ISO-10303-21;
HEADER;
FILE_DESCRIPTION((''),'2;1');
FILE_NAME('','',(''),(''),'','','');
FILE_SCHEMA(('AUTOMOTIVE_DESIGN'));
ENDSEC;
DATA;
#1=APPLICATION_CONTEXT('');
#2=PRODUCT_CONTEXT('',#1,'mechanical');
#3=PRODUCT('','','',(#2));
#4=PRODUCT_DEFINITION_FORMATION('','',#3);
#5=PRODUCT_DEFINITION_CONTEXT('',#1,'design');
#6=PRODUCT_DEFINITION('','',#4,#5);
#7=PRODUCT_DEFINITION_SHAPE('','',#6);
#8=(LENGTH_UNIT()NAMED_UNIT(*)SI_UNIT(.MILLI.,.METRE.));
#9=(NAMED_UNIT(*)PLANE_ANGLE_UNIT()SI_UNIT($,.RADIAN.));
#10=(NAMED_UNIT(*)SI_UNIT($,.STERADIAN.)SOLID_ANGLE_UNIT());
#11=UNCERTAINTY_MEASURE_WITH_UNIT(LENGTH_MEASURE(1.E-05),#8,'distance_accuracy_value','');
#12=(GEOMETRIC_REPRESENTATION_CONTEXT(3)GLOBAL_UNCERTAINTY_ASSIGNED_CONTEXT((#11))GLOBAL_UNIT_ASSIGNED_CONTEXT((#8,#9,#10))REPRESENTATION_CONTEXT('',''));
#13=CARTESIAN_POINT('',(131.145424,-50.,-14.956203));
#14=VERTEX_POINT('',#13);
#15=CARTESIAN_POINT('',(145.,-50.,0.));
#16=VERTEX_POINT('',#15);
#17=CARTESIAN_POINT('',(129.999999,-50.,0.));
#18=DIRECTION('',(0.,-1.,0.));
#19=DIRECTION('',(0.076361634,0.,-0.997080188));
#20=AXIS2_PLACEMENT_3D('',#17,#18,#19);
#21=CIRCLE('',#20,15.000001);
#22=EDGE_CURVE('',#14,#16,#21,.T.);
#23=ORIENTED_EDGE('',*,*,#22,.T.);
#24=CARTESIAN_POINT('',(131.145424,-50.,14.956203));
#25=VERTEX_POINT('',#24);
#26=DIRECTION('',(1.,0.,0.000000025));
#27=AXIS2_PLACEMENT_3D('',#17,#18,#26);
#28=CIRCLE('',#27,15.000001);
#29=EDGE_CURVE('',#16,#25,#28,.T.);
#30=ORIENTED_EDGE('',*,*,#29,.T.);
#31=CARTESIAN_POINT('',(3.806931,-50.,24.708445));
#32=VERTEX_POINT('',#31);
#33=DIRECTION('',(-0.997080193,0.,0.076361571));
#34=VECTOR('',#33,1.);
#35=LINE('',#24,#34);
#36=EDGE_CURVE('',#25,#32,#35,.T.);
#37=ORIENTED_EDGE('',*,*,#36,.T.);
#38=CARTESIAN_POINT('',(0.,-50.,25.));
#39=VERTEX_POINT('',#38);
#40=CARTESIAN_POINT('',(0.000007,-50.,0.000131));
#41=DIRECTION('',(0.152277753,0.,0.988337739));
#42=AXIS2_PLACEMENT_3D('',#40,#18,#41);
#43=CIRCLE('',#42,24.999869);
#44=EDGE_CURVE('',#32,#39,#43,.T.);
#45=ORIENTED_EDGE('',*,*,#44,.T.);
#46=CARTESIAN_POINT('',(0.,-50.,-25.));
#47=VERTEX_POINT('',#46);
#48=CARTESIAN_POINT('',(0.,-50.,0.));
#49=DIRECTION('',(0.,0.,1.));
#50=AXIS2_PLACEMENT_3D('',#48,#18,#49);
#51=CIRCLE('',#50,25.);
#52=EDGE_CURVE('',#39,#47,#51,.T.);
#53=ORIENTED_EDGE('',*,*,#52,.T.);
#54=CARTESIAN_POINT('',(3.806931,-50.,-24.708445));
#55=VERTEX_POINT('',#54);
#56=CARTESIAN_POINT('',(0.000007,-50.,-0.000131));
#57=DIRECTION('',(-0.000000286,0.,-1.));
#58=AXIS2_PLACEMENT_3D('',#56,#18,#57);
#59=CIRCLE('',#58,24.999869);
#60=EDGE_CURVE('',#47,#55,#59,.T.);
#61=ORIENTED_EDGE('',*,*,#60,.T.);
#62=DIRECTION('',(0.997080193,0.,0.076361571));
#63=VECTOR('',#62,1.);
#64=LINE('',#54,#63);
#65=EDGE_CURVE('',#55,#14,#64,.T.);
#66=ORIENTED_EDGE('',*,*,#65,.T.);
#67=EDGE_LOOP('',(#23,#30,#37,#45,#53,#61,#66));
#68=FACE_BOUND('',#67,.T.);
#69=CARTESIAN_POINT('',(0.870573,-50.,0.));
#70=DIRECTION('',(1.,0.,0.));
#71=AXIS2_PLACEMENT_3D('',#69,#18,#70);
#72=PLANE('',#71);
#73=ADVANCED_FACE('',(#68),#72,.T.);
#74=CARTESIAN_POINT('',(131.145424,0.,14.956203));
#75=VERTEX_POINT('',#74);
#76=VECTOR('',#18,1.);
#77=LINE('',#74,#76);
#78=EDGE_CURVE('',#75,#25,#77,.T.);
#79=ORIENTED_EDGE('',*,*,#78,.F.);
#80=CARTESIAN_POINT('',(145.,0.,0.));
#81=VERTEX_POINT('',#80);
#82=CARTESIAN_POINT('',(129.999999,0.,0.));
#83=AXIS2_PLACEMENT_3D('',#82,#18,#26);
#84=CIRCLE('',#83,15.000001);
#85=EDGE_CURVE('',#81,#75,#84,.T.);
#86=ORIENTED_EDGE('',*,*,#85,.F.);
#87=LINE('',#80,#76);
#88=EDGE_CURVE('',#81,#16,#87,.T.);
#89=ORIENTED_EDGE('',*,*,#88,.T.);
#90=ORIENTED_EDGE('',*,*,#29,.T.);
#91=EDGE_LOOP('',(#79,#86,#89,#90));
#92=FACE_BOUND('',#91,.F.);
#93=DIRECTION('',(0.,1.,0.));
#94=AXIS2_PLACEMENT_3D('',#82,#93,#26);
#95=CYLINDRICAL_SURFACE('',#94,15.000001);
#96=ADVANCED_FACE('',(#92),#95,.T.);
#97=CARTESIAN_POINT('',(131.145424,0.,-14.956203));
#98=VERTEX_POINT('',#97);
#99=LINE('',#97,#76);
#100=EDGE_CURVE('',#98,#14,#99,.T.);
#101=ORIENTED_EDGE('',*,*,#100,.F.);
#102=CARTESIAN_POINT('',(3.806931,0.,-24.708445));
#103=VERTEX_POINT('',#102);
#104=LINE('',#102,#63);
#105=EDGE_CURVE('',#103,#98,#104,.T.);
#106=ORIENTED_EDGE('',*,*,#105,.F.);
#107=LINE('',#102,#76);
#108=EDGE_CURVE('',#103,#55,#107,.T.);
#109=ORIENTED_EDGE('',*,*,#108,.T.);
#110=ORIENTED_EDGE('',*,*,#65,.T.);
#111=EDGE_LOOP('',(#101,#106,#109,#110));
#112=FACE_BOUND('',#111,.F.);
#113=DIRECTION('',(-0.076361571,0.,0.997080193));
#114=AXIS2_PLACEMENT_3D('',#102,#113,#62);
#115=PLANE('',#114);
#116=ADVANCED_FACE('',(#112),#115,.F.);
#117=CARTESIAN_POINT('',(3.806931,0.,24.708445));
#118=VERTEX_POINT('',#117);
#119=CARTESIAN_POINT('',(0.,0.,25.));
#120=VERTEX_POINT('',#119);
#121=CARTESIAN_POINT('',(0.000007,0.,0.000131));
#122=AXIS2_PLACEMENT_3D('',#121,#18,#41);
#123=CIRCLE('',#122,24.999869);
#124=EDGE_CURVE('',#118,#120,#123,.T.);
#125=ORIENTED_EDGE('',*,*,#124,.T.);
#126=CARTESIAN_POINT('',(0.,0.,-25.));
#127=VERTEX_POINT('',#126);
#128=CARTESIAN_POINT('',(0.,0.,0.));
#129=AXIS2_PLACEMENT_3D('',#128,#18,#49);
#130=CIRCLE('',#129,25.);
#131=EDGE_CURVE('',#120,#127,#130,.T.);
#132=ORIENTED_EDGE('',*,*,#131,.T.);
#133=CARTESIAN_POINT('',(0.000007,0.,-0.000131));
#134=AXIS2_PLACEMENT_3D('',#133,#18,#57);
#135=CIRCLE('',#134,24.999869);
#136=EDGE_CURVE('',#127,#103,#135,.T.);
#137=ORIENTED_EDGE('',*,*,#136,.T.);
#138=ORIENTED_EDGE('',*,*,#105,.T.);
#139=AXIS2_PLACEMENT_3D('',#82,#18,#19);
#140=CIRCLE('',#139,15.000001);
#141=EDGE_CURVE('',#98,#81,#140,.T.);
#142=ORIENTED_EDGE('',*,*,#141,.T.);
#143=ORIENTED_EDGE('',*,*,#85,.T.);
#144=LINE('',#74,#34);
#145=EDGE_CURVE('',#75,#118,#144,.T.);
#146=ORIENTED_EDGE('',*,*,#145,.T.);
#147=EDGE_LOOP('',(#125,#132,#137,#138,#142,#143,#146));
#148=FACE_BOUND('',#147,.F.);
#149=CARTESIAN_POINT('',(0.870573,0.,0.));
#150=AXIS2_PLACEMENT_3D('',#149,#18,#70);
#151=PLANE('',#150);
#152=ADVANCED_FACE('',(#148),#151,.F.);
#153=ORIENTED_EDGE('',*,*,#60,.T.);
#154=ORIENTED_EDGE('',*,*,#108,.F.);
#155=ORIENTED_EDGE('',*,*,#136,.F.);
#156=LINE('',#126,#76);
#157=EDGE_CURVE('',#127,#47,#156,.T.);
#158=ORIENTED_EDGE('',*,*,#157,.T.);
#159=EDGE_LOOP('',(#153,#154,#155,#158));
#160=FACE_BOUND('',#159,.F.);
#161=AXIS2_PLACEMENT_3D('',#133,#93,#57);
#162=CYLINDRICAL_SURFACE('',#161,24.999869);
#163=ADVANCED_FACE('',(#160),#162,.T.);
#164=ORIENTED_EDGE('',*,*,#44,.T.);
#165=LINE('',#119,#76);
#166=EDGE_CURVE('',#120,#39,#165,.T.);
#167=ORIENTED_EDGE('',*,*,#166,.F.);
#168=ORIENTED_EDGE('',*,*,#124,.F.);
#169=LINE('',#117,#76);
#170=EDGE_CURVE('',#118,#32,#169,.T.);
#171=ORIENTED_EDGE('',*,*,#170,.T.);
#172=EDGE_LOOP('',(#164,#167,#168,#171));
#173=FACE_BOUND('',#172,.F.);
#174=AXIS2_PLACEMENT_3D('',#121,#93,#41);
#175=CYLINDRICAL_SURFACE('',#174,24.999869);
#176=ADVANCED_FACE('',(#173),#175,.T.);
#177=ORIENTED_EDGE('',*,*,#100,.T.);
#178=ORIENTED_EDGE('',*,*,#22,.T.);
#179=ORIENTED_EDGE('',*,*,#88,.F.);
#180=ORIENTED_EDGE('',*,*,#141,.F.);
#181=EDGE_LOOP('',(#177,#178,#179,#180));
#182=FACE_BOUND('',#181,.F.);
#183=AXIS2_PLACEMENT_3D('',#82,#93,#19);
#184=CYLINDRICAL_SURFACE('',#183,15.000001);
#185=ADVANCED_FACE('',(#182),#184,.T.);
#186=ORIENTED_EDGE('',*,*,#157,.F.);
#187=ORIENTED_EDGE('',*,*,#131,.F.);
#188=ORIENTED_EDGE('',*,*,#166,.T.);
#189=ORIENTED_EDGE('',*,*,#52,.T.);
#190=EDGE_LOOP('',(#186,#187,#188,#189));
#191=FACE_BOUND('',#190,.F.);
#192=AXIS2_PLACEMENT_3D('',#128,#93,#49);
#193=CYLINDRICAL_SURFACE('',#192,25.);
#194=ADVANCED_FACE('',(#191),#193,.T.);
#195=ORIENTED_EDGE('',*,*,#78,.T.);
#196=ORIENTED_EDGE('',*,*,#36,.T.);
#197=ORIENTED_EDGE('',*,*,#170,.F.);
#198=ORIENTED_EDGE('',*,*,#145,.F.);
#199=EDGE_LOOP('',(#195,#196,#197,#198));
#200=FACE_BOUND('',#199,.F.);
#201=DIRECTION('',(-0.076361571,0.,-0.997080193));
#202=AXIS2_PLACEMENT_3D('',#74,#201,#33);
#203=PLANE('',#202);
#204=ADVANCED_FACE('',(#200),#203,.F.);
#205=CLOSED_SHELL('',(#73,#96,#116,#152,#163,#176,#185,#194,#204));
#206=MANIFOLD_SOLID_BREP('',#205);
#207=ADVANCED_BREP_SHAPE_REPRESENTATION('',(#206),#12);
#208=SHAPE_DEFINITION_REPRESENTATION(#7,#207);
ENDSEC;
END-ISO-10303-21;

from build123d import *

# Parameters (mm, degrees)
F1_DEPTH = 50


with BuildPart() as f1:
    # F0 (on Front) → F1 (new body)
    with BuildSketch(Plane.XZ):
        with BuildLine():
            Line((3.806931, 24.708445), (0, 25))
            ThreePointArc((0, 25), (-25, 0), (0, -25))
            Line((0, -25), (3.806931, -24.708445))
            ThreePointArc((3.806931, -24.708445), (18.975949, -16.276159), (25, 0))
            ThreePointArc((25, 0), (18.975949, 16.276159), (3.806931, 24.708445))
        make_face()
        with BuildLine():
            ThreePointArc((3.806931, 24.708445), (1.909039, 24.927005), (0, 25))
            Line((0, 25), (3.806931, 24.708445))
        make_face()
        with BuildLine():
            Line((3.806931, -24.708445), (0, -25))
            ThreePointArc((0, -25), (1.909039, -24.927005), (3.806931, -24.708445))
        make_face()
        with BuildLine():
            Line((131.145424, 14.956203), (3.806931, 24.708445))
            ThreePointArc((3.806931, 24.708445), (18.975949, 16.276159), (25, 0))
            ThreePointArc((25, 0), (18.975949, -16.276159), (3.806931, -24.708445))
            Line((3.806931, -24.708445), (131.145424, -14.956203))
            ThreePointArc((131.145424, -14.956203), (115, 0), (131.145424, 14.956203))
        make_face()
        with BuildLine():
            ThreePointArc((145, 0), (141.004121, 10.193592), (131.145424, 14.956203))
            ThreePointArc((131.145424, 14.956203), (115, 0), (131.145424, -14.956203))
            ThreePointArc((131.145424, -14.956203), (141.004121, -10.193592), (145, 0))
        make_face()
    extrude(amount=F1_DEPTH)


solid = f1.part
